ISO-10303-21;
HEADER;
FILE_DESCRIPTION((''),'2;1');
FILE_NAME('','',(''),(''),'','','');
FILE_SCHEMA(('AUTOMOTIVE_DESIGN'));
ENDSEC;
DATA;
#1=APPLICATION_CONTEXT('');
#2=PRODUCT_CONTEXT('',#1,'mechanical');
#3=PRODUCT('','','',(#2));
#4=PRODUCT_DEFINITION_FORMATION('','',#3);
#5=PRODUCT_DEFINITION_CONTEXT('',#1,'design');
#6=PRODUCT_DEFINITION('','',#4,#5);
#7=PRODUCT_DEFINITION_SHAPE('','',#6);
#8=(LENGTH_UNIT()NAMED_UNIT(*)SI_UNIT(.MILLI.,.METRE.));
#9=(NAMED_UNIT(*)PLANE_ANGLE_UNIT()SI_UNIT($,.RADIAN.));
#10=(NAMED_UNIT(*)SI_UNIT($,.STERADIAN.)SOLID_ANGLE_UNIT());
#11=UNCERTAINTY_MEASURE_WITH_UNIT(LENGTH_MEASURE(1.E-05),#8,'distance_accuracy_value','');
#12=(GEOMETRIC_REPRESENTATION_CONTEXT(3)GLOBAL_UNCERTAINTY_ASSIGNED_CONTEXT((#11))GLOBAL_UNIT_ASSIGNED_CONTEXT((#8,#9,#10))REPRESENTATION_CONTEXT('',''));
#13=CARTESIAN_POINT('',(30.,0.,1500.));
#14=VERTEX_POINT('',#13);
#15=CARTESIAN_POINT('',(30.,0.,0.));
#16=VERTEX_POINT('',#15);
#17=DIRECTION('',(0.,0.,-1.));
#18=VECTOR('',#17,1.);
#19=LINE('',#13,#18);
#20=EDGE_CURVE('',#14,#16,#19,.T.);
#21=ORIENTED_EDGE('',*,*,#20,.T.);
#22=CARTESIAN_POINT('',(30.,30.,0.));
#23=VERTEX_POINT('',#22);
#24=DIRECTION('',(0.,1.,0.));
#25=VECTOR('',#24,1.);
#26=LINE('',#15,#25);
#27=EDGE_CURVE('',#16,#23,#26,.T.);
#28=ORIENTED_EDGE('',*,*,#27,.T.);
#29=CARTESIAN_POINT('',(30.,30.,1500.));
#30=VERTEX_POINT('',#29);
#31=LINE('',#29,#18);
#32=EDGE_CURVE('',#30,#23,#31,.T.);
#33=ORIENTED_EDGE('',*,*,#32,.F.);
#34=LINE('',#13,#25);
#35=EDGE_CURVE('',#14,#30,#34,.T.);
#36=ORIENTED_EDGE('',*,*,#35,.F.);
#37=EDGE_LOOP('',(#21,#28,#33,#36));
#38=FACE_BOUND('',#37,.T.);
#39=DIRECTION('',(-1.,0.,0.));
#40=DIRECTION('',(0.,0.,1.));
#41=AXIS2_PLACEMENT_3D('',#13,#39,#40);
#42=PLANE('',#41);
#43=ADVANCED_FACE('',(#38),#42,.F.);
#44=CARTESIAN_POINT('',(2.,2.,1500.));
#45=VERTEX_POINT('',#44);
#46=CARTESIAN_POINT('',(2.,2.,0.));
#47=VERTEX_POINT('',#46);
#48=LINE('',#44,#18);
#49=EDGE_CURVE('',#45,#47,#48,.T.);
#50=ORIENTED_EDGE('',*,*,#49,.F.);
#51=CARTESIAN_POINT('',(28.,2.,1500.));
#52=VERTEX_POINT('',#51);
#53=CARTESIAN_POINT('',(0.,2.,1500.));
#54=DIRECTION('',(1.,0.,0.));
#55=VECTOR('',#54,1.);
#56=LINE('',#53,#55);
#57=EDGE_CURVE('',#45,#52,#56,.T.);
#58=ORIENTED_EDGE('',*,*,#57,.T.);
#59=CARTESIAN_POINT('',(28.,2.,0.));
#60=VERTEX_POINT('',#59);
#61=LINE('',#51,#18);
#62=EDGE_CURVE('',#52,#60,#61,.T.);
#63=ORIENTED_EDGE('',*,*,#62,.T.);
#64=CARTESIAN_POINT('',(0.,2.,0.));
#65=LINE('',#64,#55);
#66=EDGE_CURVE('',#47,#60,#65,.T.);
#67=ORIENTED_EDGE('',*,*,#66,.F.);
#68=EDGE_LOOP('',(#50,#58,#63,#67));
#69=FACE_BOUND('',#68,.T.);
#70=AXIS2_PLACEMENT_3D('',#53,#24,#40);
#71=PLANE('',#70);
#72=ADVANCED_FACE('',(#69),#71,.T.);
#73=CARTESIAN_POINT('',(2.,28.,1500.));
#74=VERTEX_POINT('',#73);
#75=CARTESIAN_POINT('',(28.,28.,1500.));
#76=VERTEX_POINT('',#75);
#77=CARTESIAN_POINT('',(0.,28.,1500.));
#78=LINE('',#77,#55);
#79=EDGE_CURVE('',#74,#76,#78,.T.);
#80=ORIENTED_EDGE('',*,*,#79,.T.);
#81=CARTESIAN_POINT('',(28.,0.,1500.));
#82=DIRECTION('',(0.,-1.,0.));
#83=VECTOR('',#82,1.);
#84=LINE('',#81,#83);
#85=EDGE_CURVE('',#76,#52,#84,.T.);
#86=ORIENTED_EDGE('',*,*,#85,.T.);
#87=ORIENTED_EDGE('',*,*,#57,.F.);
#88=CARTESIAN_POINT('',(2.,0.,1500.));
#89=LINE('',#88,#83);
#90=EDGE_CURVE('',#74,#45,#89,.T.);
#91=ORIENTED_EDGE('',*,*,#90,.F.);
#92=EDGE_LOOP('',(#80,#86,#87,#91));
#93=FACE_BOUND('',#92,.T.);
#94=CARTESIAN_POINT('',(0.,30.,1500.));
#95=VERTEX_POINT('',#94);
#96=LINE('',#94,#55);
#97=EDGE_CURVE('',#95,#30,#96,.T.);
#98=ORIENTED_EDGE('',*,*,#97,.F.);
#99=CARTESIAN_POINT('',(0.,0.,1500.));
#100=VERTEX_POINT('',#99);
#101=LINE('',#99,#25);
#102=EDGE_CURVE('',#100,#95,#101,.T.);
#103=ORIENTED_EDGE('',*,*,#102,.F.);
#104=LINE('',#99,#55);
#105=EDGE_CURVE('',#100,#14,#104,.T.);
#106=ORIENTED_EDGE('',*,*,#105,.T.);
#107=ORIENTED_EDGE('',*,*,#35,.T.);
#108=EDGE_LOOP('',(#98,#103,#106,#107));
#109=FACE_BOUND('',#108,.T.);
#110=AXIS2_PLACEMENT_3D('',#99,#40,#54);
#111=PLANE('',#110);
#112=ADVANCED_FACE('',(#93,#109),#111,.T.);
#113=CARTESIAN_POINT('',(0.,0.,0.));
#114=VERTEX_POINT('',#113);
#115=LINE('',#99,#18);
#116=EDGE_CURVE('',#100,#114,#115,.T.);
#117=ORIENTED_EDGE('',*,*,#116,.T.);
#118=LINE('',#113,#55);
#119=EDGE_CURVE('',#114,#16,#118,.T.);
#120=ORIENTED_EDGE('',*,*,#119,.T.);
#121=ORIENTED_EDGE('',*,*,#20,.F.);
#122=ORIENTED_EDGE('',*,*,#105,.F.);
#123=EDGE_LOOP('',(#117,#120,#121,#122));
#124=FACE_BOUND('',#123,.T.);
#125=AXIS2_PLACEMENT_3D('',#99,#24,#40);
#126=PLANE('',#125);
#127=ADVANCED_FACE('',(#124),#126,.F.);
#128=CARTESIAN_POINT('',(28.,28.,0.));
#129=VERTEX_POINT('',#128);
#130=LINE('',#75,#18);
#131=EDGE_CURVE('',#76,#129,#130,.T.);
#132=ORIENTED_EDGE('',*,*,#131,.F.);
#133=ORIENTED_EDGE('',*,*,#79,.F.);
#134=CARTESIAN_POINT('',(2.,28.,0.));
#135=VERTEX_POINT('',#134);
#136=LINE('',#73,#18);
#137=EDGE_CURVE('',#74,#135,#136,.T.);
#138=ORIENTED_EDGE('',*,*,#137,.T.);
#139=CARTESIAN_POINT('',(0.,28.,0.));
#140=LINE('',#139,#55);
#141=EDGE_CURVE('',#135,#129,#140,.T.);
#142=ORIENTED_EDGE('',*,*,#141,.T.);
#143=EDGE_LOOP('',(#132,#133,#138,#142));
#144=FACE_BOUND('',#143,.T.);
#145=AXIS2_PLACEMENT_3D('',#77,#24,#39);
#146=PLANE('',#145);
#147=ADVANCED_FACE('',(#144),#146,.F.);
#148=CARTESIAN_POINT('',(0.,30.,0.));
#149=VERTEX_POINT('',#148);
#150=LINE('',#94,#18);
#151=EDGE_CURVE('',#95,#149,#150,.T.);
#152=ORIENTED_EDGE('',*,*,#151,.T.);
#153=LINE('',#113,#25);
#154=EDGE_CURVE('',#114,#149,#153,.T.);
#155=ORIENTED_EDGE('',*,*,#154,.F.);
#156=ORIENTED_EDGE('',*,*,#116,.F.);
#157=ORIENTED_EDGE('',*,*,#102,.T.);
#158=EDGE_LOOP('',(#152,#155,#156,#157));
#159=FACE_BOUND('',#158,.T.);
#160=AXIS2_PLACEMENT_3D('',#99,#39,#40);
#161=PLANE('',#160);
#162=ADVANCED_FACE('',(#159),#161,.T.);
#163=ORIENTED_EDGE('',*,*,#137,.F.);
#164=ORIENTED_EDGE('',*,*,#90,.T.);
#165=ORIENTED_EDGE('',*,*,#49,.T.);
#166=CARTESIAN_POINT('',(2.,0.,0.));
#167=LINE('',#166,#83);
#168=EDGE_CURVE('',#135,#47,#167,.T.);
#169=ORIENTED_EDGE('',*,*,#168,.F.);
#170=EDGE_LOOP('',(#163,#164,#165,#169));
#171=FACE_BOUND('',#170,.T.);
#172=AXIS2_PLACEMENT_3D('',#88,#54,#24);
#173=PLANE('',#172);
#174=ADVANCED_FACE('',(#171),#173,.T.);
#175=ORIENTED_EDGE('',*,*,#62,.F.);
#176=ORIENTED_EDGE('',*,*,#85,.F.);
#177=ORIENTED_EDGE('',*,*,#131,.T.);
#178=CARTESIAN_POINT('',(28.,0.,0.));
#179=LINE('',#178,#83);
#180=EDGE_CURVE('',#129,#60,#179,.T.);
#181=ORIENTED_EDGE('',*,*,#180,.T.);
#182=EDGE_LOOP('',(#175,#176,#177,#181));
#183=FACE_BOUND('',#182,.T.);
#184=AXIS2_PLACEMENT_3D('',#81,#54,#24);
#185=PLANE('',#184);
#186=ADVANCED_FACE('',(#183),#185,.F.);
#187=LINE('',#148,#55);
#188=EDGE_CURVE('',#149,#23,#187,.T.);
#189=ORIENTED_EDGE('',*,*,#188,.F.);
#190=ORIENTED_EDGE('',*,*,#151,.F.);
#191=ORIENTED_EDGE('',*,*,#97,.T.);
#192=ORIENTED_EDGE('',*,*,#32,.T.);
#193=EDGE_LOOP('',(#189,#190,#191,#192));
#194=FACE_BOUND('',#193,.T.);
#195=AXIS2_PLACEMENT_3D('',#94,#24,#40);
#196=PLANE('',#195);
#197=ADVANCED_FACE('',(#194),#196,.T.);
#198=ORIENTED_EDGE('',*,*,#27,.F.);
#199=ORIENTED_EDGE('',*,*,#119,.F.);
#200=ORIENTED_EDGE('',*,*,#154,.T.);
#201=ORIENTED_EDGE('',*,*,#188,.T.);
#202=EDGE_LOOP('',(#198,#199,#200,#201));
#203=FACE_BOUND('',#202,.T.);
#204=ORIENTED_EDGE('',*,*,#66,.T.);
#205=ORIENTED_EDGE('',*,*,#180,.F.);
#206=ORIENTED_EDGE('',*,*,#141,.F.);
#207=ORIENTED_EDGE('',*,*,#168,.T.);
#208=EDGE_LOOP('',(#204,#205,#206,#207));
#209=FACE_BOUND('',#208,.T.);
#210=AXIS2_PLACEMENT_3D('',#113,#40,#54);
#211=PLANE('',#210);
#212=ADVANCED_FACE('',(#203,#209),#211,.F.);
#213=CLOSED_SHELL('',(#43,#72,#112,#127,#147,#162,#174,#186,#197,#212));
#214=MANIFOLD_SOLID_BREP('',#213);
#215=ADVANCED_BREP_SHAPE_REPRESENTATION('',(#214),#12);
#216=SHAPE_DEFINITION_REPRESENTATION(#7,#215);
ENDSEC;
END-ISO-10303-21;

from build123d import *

# Parameters (mm, degrees)
EXTRUDE_1_DEPTH = 1500


with BuildPart() as part:
    # Эскиз1 → Бобышка-Вытянуть1 (new body)
    with BuildSketch(Plane.XY):
        Polygon((2, 2), (28, 2), (30, 0), (0, 0), (0, 30), (2, 28), align=None)
        Polygon((2, 28), (28, 28), (28, 2), (30, 0), (30, 30), (0, 30), align=None)
    extrude(amount=EXTRUDE_1_DEPTH)


solid = part.part
